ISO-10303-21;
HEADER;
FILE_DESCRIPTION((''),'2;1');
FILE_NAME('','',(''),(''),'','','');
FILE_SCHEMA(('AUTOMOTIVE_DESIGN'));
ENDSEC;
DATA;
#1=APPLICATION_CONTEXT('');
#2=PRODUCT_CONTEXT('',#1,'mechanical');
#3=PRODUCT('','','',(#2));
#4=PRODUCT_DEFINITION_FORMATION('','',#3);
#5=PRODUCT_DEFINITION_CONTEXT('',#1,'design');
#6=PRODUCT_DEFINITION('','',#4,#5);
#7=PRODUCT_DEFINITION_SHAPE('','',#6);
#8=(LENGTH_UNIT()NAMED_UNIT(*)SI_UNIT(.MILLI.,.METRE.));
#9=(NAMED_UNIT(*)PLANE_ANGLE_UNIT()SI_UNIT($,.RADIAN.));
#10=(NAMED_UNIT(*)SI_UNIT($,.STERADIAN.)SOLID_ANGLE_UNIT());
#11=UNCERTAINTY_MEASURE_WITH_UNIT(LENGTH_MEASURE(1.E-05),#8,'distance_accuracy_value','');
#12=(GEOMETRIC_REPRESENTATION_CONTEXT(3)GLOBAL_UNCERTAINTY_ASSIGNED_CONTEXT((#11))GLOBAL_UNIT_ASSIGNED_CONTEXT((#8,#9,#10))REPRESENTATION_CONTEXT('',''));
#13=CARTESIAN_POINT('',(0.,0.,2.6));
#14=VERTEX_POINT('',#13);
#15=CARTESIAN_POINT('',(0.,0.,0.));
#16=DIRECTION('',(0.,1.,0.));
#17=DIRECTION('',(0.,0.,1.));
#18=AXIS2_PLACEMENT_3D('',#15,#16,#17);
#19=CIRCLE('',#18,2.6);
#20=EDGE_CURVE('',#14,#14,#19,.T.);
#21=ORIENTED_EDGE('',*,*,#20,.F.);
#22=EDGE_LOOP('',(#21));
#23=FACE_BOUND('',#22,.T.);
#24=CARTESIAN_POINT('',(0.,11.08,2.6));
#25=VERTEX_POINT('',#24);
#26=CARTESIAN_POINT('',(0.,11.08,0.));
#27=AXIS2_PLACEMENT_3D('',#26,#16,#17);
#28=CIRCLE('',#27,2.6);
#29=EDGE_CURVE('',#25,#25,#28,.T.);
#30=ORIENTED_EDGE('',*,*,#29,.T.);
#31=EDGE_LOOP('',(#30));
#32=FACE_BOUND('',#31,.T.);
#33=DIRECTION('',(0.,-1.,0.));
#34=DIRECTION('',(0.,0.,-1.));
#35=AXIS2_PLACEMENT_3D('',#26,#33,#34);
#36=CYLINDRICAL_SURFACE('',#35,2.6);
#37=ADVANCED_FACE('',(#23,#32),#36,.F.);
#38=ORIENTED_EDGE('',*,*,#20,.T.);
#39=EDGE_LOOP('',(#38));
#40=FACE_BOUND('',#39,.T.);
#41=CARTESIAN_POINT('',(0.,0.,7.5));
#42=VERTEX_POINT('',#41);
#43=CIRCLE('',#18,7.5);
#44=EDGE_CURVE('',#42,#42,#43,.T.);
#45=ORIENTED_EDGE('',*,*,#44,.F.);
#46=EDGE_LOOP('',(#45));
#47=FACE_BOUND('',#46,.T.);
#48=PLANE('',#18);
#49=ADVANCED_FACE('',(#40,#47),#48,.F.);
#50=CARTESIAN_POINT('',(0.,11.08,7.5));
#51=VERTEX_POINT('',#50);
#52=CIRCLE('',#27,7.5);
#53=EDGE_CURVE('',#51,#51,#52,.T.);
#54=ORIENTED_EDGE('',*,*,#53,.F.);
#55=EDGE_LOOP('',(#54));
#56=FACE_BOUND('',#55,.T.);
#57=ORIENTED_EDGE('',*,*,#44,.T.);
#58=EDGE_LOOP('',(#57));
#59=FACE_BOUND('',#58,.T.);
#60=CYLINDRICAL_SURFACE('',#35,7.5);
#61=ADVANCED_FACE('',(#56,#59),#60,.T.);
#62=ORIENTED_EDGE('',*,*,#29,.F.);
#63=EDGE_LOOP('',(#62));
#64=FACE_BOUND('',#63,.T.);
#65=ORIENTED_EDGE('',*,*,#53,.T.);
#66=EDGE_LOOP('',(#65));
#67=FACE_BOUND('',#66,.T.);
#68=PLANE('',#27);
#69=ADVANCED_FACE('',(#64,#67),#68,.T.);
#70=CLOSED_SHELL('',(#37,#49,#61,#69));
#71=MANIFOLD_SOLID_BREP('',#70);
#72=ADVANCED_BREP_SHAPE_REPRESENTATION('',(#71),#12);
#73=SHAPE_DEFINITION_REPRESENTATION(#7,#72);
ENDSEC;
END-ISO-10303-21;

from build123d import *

# Parameters (mm, degrees)
CROQUIS1_R              = 7.5
CROQUIS1_R_2            = 2.6
SALIENTE_EXTRUIR1_DEPTH = 11.08


with BuildPart() as part:
    # Croquis1 → Saliente-Extruir1 (new body)
    with BuildSketch(Plane(origin=(0, 0, 0), x_dir=(1, 0, 0), z_dir=(0, 1, 0))):
        Circle(CROQUIS1_R)
        Circle(CROQUIS1_R_2, mode=Mode.SUBTRACT)
    extrude(amount=SALIENTE_EXTRUIR1_DEPTH)


solid = part.part
